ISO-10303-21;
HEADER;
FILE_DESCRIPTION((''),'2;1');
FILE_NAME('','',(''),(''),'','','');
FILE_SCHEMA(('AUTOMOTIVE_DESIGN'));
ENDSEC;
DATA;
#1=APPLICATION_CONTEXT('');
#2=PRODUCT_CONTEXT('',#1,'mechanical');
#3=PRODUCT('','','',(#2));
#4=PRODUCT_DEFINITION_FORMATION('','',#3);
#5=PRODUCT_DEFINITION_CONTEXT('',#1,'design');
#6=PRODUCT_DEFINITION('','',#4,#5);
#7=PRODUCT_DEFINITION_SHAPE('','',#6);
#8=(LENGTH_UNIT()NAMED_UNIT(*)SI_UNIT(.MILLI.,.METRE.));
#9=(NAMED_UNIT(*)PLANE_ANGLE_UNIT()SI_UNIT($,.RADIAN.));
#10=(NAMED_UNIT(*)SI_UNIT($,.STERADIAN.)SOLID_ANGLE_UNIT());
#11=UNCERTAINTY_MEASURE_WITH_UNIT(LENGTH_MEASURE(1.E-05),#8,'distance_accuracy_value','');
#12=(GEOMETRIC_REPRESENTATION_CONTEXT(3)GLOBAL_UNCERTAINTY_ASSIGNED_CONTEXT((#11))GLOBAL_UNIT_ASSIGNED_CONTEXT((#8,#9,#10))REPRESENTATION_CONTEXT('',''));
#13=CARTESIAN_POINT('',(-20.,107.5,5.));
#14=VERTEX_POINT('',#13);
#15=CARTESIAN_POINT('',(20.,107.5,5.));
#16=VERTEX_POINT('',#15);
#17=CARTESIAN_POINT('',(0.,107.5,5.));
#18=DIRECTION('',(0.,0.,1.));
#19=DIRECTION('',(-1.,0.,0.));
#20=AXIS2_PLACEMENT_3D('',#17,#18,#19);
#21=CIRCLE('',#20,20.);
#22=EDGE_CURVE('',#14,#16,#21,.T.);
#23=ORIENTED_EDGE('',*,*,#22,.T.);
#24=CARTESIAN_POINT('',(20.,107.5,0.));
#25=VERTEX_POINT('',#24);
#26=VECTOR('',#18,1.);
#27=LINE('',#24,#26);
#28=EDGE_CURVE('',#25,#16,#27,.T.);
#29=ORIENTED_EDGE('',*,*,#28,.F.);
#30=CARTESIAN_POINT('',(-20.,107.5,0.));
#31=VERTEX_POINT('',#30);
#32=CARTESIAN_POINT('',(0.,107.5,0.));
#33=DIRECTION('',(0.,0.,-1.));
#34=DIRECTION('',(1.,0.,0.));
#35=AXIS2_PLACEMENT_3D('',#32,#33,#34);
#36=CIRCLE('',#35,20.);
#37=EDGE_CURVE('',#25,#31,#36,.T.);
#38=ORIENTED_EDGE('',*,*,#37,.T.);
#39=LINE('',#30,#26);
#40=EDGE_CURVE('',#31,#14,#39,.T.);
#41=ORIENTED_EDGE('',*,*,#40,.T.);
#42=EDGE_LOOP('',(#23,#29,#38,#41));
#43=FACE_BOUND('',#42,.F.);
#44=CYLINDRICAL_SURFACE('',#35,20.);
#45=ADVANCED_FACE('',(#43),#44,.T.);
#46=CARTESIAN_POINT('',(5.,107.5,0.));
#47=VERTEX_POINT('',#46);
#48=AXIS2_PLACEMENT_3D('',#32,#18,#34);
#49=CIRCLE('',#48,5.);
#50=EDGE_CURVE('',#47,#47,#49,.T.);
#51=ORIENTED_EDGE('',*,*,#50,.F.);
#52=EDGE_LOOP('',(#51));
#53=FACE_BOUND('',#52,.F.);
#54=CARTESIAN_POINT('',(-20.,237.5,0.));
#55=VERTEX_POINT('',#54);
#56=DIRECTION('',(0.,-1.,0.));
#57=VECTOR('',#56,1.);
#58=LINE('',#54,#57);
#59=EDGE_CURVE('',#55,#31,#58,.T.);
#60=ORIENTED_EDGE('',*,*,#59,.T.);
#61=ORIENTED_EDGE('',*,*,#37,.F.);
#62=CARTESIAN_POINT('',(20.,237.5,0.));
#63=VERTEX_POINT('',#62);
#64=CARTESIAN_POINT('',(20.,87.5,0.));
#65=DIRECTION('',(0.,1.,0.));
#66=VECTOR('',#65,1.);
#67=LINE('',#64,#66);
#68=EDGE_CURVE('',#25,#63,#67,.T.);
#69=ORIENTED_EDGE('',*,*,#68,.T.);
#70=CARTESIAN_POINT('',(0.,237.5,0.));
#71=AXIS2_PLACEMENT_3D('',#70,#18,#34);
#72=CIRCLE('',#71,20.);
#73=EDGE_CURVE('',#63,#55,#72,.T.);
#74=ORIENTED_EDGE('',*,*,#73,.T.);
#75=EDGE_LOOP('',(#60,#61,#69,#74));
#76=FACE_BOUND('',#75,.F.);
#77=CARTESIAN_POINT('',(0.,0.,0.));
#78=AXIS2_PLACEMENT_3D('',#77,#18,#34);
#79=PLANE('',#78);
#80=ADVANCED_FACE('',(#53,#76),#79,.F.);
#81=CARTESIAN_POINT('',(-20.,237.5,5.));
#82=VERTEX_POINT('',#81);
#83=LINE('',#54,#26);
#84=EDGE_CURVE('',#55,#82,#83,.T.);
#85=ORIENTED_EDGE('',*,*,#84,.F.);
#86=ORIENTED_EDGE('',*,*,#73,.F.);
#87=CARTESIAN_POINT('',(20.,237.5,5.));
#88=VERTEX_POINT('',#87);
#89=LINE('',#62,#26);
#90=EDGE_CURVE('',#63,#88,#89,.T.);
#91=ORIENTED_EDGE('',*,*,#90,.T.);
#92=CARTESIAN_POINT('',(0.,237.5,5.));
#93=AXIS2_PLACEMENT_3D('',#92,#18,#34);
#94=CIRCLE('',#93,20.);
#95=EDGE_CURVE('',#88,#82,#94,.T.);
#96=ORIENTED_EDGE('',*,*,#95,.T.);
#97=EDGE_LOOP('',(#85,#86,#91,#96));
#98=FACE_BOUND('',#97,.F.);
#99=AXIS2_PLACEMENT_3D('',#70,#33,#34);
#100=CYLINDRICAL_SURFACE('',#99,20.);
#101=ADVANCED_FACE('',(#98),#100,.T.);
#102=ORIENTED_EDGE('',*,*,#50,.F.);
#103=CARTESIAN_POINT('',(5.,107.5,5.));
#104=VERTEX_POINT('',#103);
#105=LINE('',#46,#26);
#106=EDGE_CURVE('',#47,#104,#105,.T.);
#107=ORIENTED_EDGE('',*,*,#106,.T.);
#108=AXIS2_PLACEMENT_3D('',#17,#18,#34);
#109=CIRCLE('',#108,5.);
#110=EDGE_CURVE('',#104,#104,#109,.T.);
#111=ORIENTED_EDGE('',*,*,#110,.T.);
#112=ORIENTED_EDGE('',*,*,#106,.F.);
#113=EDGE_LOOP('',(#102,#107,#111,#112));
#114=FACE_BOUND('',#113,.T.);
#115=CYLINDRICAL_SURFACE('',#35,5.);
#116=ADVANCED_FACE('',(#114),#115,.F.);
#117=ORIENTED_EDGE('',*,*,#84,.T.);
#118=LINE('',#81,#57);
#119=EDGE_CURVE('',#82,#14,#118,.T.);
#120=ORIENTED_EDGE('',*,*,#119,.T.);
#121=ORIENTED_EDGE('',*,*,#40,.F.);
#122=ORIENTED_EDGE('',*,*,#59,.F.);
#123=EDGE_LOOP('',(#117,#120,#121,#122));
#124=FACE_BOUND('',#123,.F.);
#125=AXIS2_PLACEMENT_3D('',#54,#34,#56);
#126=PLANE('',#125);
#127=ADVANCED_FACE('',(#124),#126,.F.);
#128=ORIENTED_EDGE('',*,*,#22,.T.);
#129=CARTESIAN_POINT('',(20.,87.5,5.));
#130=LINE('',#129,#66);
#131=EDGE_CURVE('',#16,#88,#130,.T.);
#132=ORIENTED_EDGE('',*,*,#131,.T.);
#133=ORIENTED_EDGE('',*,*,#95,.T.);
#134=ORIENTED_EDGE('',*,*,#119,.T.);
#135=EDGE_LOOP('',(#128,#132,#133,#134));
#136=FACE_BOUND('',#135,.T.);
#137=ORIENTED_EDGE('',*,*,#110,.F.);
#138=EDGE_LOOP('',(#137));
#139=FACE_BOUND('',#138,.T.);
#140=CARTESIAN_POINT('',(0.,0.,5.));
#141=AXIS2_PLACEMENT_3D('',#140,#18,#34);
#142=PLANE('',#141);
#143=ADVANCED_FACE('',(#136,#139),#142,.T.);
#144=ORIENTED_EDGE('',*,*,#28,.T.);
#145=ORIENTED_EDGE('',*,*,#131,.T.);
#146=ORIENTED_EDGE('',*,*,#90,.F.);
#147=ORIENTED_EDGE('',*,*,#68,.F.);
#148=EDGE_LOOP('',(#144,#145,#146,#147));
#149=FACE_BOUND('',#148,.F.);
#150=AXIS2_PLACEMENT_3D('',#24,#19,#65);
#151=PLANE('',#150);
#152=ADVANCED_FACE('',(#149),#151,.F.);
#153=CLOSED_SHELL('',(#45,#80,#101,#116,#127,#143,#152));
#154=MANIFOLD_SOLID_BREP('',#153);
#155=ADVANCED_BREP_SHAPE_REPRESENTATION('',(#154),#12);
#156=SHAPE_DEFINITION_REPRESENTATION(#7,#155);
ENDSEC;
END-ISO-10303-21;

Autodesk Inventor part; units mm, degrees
ref_plane "YZ Plane" through (0, 0, 0) normal (1, 0, 0) x (0, 1, 0)
ref_plane "XZ Plane" through (0, 0, 0) normal (0, 1, 0) x (-1, 0, 0)
ref_plane "XY Plane" through (0, 0, 0) normal (0, 0, 1) x (1, 0, 0)
ref_plane "Work Plane1" through (0, 0, 0) normal (0, 0, 1) x (1, 0, 0)
sketch "Sketch1" plane through (0, 0, 0) normal (0, 0, 1) x (1, 0, 0)
  circle A0 centre (0, 107.5) radius 10 projected
  circle A1 centre (0, 107.5) radius 5 projected
  line L0 (20, 237.5) -> (-20, 237.5)
  line L1 (-20, 237.5) -> (-20, 87.5)
  line L2 (-20, 87.5) -> (20, 87.5)
  line L3 (20, 87.5) -> (20, 237.5)
  circle A2 centre (0, 107.5) radius 20
  circle A3 centre (0, 237.5) radius 20
  point P0 (0, 0)
  point P1 (-20, 107.5)
  point P2 (20, 107.5)
  dimension "d0" = 40
  dimension "d1" = 150
  dimension "d2" = 20
  dimension "d4" = 20
  dimension "d5" = 40
  dimension "d6" = 130
extrude "Extrusion1" add sketch "Sketch1" along normal blind 5 contours A0 | A3 L0 | L0 A3 | L3 A2 L1 A3 | A2
properties part number "Link3base"
